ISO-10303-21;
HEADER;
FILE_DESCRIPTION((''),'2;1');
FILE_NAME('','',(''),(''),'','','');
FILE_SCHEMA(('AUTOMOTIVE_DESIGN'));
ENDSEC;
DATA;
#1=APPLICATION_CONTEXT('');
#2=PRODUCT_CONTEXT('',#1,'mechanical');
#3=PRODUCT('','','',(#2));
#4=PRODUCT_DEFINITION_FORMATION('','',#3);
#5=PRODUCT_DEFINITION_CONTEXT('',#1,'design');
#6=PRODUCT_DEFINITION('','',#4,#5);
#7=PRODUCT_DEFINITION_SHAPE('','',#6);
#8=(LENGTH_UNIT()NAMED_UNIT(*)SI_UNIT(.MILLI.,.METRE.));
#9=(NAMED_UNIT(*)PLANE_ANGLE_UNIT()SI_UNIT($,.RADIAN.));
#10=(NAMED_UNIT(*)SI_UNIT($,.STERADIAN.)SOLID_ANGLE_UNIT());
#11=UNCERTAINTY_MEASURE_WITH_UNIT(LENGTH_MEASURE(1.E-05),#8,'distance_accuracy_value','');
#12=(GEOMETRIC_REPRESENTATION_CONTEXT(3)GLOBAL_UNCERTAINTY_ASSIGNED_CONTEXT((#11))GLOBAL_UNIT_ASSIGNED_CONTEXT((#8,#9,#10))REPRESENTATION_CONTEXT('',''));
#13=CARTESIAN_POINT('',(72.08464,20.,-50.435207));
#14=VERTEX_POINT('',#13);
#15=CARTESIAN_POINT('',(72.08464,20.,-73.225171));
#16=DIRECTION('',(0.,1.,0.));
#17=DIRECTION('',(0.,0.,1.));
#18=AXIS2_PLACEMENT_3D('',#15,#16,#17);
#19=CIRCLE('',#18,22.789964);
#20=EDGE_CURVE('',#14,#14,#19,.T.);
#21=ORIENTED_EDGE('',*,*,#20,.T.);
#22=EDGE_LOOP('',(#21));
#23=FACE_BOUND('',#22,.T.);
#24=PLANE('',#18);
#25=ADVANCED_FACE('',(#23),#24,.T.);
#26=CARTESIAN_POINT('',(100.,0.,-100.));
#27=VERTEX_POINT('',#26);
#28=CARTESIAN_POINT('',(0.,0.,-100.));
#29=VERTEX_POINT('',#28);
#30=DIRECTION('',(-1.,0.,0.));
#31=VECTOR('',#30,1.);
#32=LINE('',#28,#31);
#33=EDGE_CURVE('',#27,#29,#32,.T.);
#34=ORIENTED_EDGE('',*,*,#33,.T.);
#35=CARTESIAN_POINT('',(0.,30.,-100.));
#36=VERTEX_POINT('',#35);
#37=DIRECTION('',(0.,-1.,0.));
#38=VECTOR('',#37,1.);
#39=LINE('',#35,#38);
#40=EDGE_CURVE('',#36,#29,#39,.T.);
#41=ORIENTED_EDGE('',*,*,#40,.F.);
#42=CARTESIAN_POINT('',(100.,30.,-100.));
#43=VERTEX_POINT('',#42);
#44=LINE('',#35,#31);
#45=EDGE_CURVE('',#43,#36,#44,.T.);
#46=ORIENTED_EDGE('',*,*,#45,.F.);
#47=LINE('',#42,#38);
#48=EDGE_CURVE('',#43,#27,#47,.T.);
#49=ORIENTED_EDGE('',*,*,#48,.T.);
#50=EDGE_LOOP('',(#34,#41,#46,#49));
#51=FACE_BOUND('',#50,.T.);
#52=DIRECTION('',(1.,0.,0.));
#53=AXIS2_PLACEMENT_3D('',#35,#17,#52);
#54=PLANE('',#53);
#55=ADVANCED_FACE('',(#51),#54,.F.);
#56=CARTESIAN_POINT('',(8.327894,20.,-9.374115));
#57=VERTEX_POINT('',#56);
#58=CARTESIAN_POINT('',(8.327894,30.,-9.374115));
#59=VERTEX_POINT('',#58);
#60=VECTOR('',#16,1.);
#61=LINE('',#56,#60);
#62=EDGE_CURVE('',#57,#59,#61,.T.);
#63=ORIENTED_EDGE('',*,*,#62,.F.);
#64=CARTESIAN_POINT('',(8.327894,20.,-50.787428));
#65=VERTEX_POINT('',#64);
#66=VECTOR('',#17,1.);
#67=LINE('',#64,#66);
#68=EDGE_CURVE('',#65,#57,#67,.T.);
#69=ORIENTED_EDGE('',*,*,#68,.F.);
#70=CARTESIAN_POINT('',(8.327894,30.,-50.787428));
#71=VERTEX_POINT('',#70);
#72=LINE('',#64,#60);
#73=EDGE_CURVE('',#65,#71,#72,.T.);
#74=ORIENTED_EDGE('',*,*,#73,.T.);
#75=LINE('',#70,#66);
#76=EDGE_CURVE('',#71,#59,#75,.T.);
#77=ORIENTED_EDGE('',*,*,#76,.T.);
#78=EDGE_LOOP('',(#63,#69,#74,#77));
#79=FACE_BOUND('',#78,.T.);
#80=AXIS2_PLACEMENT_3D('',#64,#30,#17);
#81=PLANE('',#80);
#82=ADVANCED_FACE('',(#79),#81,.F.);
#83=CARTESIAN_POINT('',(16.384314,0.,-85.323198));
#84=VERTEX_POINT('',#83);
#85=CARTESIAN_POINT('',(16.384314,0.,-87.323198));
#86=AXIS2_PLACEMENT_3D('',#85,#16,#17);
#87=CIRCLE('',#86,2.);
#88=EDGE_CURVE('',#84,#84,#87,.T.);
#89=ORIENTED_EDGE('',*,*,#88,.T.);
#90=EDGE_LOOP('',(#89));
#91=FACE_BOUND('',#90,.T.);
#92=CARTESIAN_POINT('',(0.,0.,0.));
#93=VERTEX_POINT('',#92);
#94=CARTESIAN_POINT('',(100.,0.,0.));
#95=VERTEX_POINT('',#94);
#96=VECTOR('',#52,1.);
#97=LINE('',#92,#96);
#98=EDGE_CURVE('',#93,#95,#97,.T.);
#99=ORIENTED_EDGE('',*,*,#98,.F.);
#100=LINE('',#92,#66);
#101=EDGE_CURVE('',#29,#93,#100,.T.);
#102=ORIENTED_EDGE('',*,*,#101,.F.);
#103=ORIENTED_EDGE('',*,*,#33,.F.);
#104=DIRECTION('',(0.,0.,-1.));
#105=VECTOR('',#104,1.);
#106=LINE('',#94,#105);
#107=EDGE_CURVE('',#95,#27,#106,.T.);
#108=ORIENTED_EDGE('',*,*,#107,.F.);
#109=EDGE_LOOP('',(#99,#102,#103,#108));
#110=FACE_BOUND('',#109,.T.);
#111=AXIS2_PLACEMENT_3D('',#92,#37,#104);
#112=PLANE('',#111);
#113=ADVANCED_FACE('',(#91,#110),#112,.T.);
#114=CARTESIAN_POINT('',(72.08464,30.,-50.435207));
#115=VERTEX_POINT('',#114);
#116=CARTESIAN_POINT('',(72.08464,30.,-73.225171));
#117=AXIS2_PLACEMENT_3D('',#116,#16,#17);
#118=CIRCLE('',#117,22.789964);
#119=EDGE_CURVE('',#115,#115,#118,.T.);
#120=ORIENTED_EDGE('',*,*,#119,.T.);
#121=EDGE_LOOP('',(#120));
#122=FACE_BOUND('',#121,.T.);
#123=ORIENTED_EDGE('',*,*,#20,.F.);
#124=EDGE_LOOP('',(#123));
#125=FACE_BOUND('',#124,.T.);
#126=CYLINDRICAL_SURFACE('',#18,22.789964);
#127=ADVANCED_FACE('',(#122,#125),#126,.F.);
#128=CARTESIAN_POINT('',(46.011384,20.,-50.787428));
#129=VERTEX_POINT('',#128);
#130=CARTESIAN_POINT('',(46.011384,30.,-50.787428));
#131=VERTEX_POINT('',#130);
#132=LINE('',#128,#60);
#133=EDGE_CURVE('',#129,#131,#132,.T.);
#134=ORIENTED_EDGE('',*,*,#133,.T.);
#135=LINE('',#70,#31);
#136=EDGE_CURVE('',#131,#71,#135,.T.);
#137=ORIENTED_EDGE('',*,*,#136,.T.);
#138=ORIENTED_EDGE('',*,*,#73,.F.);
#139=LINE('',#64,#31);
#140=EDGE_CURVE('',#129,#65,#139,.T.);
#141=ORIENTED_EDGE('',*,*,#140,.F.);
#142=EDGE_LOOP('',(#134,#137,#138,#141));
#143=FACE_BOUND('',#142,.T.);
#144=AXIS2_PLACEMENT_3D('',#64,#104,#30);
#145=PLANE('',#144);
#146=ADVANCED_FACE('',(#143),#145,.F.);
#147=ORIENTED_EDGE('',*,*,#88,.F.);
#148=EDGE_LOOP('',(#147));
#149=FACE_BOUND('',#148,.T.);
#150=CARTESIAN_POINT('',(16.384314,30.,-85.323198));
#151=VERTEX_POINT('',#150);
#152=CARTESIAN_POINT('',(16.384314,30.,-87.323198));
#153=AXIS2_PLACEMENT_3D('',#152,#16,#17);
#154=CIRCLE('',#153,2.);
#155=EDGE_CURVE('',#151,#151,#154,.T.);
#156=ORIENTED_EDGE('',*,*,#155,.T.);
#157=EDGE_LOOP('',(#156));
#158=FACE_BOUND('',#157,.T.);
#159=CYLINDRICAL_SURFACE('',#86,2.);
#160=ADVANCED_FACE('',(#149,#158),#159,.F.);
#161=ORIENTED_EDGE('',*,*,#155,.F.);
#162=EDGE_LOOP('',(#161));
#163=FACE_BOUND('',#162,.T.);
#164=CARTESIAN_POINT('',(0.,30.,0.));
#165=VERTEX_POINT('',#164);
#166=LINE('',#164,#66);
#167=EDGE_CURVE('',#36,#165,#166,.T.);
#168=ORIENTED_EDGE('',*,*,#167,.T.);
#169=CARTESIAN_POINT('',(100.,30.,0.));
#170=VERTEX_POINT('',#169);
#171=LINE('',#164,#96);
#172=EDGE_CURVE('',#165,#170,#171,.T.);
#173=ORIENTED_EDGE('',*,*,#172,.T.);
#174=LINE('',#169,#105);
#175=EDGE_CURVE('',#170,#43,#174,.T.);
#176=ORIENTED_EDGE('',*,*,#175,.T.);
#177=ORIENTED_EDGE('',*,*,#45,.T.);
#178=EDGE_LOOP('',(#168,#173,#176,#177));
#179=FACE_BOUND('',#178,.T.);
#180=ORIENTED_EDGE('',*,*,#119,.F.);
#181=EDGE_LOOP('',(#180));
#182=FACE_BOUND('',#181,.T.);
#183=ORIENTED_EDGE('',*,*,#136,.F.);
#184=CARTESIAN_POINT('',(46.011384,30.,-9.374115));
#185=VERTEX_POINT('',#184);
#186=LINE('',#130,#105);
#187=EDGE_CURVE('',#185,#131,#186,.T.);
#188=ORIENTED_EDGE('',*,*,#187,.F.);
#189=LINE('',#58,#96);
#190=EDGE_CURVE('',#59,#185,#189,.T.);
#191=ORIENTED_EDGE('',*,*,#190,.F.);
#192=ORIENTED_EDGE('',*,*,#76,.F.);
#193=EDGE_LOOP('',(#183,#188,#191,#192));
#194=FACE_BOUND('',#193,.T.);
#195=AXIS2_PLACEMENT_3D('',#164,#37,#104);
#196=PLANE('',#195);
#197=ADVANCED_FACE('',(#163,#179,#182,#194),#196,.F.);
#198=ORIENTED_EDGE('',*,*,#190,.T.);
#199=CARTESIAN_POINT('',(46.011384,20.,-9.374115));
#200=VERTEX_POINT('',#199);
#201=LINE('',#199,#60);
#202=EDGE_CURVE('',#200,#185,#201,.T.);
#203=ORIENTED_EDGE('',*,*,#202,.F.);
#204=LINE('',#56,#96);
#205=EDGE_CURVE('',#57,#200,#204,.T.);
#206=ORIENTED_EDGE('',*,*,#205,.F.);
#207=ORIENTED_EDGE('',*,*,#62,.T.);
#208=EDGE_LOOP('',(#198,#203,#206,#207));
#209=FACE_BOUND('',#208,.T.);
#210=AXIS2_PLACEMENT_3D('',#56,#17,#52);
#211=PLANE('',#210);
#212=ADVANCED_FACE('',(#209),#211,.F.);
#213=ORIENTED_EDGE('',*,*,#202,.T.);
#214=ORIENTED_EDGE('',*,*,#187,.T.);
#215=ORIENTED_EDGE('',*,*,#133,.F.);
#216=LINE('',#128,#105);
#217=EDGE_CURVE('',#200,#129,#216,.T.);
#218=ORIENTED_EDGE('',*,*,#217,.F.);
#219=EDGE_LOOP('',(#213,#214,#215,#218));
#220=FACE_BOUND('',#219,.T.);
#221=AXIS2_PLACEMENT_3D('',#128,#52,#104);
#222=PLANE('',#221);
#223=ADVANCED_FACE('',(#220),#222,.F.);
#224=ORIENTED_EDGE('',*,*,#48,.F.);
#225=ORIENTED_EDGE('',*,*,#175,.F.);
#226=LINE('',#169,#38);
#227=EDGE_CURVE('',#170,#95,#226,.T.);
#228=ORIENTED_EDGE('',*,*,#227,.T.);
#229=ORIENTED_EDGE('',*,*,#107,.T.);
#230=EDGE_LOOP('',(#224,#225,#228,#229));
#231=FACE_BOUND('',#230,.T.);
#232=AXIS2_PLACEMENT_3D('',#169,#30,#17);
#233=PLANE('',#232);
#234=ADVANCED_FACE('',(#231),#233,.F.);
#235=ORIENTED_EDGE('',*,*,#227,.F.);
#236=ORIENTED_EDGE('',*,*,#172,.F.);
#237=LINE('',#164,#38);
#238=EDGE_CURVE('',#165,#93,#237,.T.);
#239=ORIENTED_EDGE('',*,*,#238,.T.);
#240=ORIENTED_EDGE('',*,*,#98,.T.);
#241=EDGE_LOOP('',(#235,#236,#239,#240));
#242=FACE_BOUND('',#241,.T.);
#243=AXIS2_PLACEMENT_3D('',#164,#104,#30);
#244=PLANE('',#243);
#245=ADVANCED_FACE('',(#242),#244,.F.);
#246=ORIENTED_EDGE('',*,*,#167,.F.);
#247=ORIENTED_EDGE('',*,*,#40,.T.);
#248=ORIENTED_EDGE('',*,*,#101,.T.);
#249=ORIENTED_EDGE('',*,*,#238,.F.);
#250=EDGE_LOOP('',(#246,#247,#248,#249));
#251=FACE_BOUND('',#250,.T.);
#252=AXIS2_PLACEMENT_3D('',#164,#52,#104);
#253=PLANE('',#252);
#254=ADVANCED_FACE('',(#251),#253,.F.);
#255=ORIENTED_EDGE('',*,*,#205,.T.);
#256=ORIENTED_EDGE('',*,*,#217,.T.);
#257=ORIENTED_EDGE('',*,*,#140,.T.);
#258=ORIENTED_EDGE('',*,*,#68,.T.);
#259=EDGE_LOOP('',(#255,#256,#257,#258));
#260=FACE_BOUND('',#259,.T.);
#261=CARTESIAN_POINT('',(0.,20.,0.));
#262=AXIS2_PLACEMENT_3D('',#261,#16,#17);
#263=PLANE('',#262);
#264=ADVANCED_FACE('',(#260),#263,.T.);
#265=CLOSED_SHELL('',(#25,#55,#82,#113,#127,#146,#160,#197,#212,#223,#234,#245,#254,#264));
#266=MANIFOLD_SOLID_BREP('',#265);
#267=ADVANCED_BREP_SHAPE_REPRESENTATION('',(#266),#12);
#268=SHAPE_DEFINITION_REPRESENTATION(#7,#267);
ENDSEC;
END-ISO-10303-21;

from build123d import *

# Parameters (mm, degrees)
SKETCH1_W           = 100
SKETCH1_H           = 100
BOSS_EXTRUDE1_DEPTH = 30
SKETCH5_R           = 2
CUT_EXTRUDE1_DEPTH  = 31
SKETCH7_R           = 22.78996388
SKETCH7_W           = 37.683489423
SKETCH7_H           = 41.413312703
CUT_EXTRUDE2_DEPTH  = 10


with BuildPart() as part:
    # Sketch1 → Boss-Extrude1 (new body)
    with BuildSketch(Plane(origin=(0, 0, 0), x_dir=(1, 0, 0), z_dir=(0, 1, 0))):
        with Locations((50, 50)):
            Rectangle(SKETCH1_W, SKETCH1_H)
    extrude(amount=BOSS_EXTRUDE1_DEPTH)

    # Sketch5 → Cut-Extrude1 (cut, through all)
    with BuildSketch(Plane(origin=(0, 30, 0), x_dir=(1, 0, 0), z_dir=(0, 1, 0))):
        with Locations((16.384313545, 87.323198024)):
            Circle(SKETCH5_R)
    extrude(amount=-CUT_EXTRUDE1_DEPTH, mode=Mode.SUBTRACT)

    # Sketch7 → Cut-Extrude2 (cut)
    with BuildSketch(Plane(origin=(0, 30, 0), x_dir=(1, 0, 0), z_dir=(0, 1, 0))):
        with Locations((72.084640228, 73.225170758)):
            Circle(SKETCH7_R)
        with Locations((27.16963915, 30.080771209)):
            Rectangle(SKETCH7_W, SKETCH7_H)
    extrude(amount=-CUT_EXTRUDE2_DEPTH, mode=Mode.SUBTRACT)


solid = part.part
